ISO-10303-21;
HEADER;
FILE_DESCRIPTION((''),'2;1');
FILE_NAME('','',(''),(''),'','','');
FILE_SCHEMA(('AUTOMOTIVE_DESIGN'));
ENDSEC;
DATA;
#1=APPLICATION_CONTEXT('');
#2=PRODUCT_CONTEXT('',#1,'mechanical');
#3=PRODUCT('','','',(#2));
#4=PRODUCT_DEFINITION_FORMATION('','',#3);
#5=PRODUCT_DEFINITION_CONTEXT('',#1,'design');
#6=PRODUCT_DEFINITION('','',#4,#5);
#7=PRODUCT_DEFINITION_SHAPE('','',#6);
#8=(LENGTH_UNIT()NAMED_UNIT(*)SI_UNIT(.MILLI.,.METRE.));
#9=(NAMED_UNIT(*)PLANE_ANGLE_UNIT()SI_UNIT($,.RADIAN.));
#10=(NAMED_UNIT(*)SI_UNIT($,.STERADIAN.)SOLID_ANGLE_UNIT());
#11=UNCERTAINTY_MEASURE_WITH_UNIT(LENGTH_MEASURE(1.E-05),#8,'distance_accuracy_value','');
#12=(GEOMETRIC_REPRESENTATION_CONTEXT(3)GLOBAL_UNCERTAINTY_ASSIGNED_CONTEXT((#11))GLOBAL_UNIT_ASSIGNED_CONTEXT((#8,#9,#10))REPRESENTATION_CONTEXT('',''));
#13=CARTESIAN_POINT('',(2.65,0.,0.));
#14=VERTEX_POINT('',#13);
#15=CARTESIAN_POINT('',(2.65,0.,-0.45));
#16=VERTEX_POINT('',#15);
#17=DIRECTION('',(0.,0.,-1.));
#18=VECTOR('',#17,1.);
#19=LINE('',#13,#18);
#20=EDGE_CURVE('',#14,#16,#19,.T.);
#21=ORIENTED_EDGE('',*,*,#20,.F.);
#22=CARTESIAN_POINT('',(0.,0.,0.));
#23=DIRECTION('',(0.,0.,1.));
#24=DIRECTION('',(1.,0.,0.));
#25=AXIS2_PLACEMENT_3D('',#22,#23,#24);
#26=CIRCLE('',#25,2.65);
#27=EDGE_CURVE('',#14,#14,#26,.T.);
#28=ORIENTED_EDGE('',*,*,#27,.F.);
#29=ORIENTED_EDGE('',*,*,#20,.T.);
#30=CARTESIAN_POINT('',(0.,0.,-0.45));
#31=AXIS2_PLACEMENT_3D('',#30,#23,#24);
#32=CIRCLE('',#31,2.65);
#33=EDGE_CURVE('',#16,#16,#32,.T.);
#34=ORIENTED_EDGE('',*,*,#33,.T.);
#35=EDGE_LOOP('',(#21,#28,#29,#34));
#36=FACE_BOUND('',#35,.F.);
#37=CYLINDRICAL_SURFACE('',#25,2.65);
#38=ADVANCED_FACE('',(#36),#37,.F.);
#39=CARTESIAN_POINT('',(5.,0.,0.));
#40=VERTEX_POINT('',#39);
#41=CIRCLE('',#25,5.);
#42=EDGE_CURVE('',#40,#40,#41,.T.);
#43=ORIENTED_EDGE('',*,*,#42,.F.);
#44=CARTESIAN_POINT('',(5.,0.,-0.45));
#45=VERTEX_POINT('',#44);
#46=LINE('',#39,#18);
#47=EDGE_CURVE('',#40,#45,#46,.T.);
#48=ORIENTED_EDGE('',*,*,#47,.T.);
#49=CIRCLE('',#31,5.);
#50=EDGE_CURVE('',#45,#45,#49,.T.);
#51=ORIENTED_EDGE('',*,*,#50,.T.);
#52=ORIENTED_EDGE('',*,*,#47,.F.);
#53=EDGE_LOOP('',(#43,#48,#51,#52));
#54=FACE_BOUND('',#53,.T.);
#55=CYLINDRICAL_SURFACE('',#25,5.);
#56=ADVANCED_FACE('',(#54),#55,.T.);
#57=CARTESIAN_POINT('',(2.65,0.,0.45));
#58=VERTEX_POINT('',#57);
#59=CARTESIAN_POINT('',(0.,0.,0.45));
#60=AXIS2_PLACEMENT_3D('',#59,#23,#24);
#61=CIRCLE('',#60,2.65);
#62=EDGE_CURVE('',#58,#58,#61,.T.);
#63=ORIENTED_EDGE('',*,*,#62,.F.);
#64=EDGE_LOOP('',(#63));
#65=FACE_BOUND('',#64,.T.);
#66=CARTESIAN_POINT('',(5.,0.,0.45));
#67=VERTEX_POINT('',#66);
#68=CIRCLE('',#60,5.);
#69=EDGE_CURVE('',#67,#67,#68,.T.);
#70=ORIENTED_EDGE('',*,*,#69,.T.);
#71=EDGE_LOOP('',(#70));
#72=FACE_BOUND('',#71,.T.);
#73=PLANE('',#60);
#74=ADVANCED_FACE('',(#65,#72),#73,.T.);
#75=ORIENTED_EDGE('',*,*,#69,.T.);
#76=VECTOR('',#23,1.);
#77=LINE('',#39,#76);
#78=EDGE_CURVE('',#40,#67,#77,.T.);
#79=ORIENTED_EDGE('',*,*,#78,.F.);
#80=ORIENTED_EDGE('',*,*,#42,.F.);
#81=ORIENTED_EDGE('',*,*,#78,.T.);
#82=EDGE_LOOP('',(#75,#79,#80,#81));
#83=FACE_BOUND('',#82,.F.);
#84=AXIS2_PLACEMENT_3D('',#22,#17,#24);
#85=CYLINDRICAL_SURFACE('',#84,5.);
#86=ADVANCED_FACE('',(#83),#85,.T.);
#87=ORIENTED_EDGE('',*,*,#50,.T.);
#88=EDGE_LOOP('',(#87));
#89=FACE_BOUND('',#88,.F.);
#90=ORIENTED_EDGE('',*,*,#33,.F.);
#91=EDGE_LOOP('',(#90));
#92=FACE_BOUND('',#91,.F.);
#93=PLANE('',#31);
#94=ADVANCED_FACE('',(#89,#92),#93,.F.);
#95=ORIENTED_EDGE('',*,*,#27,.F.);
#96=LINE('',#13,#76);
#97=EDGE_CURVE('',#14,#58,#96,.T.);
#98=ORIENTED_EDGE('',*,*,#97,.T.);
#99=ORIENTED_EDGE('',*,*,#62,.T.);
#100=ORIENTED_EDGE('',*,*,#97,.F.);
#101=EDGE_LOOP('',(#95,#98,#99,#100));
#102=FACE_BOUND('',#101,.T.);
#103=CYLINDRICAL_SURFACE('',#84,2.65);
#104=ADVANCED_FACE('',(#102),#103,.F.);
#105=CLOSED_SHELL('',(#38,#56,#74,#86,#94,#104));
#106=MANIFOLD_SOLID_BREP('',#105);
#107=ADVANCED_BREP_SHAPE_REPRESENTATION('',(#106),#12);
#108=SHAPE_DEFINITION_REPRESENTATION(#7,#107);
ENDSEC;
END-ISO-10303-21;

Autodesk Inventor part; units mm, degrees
sketch "Sketch_1" plane through (0, 0, 0) normal (0, 0, 1) x (1, 0, 0)
  circle A0 centre (0, 0) radius 5
  circle A1 centre (0, 0) radius 2.65
extrude "Extrusion1" add sketch "Sketch_1" along normal mid plane 0.9
ref_plane "to_bolt_XY" through (0, 0, 0.45) normal (0, 0, 1) x (1, 0, 0)
ref_plane "to_bolt_YZ" through (0, 0, 0.45) normal (1, 0, 0) x (0, 1, 0)
ref_plane "to_bolt_ZX" through (0, 0, 0.45) normal (0, 1, 0) x (0, 0, 1)
ref_plane "to_profile_XY" through (0, 0, -0.45) normal (0, 0, 1) x (1, 0, 0)
ref_plane "to_profile_YZ" through (0, 0, -0.45) normal (1, 0, 0) x (0, 1, 0)
ref_plane "to_profile_ZX" through (0, 0, -0.45) normal (0, 1, 0) x (0, 0, 1)
ref_plane "washer_XY" through (0, 0, 0) normal (0, 0, 1) x (1, 0, 0)
ref_plane "washer_YZ" through (0, 0, 0) normal (1, 0, 0) x (0, 1, 0)
ref_plane "washer_ZX" through (0, 0, 0) normal (0, 1, 0) x (0, 0, 1)
properties part number "11-6040"
